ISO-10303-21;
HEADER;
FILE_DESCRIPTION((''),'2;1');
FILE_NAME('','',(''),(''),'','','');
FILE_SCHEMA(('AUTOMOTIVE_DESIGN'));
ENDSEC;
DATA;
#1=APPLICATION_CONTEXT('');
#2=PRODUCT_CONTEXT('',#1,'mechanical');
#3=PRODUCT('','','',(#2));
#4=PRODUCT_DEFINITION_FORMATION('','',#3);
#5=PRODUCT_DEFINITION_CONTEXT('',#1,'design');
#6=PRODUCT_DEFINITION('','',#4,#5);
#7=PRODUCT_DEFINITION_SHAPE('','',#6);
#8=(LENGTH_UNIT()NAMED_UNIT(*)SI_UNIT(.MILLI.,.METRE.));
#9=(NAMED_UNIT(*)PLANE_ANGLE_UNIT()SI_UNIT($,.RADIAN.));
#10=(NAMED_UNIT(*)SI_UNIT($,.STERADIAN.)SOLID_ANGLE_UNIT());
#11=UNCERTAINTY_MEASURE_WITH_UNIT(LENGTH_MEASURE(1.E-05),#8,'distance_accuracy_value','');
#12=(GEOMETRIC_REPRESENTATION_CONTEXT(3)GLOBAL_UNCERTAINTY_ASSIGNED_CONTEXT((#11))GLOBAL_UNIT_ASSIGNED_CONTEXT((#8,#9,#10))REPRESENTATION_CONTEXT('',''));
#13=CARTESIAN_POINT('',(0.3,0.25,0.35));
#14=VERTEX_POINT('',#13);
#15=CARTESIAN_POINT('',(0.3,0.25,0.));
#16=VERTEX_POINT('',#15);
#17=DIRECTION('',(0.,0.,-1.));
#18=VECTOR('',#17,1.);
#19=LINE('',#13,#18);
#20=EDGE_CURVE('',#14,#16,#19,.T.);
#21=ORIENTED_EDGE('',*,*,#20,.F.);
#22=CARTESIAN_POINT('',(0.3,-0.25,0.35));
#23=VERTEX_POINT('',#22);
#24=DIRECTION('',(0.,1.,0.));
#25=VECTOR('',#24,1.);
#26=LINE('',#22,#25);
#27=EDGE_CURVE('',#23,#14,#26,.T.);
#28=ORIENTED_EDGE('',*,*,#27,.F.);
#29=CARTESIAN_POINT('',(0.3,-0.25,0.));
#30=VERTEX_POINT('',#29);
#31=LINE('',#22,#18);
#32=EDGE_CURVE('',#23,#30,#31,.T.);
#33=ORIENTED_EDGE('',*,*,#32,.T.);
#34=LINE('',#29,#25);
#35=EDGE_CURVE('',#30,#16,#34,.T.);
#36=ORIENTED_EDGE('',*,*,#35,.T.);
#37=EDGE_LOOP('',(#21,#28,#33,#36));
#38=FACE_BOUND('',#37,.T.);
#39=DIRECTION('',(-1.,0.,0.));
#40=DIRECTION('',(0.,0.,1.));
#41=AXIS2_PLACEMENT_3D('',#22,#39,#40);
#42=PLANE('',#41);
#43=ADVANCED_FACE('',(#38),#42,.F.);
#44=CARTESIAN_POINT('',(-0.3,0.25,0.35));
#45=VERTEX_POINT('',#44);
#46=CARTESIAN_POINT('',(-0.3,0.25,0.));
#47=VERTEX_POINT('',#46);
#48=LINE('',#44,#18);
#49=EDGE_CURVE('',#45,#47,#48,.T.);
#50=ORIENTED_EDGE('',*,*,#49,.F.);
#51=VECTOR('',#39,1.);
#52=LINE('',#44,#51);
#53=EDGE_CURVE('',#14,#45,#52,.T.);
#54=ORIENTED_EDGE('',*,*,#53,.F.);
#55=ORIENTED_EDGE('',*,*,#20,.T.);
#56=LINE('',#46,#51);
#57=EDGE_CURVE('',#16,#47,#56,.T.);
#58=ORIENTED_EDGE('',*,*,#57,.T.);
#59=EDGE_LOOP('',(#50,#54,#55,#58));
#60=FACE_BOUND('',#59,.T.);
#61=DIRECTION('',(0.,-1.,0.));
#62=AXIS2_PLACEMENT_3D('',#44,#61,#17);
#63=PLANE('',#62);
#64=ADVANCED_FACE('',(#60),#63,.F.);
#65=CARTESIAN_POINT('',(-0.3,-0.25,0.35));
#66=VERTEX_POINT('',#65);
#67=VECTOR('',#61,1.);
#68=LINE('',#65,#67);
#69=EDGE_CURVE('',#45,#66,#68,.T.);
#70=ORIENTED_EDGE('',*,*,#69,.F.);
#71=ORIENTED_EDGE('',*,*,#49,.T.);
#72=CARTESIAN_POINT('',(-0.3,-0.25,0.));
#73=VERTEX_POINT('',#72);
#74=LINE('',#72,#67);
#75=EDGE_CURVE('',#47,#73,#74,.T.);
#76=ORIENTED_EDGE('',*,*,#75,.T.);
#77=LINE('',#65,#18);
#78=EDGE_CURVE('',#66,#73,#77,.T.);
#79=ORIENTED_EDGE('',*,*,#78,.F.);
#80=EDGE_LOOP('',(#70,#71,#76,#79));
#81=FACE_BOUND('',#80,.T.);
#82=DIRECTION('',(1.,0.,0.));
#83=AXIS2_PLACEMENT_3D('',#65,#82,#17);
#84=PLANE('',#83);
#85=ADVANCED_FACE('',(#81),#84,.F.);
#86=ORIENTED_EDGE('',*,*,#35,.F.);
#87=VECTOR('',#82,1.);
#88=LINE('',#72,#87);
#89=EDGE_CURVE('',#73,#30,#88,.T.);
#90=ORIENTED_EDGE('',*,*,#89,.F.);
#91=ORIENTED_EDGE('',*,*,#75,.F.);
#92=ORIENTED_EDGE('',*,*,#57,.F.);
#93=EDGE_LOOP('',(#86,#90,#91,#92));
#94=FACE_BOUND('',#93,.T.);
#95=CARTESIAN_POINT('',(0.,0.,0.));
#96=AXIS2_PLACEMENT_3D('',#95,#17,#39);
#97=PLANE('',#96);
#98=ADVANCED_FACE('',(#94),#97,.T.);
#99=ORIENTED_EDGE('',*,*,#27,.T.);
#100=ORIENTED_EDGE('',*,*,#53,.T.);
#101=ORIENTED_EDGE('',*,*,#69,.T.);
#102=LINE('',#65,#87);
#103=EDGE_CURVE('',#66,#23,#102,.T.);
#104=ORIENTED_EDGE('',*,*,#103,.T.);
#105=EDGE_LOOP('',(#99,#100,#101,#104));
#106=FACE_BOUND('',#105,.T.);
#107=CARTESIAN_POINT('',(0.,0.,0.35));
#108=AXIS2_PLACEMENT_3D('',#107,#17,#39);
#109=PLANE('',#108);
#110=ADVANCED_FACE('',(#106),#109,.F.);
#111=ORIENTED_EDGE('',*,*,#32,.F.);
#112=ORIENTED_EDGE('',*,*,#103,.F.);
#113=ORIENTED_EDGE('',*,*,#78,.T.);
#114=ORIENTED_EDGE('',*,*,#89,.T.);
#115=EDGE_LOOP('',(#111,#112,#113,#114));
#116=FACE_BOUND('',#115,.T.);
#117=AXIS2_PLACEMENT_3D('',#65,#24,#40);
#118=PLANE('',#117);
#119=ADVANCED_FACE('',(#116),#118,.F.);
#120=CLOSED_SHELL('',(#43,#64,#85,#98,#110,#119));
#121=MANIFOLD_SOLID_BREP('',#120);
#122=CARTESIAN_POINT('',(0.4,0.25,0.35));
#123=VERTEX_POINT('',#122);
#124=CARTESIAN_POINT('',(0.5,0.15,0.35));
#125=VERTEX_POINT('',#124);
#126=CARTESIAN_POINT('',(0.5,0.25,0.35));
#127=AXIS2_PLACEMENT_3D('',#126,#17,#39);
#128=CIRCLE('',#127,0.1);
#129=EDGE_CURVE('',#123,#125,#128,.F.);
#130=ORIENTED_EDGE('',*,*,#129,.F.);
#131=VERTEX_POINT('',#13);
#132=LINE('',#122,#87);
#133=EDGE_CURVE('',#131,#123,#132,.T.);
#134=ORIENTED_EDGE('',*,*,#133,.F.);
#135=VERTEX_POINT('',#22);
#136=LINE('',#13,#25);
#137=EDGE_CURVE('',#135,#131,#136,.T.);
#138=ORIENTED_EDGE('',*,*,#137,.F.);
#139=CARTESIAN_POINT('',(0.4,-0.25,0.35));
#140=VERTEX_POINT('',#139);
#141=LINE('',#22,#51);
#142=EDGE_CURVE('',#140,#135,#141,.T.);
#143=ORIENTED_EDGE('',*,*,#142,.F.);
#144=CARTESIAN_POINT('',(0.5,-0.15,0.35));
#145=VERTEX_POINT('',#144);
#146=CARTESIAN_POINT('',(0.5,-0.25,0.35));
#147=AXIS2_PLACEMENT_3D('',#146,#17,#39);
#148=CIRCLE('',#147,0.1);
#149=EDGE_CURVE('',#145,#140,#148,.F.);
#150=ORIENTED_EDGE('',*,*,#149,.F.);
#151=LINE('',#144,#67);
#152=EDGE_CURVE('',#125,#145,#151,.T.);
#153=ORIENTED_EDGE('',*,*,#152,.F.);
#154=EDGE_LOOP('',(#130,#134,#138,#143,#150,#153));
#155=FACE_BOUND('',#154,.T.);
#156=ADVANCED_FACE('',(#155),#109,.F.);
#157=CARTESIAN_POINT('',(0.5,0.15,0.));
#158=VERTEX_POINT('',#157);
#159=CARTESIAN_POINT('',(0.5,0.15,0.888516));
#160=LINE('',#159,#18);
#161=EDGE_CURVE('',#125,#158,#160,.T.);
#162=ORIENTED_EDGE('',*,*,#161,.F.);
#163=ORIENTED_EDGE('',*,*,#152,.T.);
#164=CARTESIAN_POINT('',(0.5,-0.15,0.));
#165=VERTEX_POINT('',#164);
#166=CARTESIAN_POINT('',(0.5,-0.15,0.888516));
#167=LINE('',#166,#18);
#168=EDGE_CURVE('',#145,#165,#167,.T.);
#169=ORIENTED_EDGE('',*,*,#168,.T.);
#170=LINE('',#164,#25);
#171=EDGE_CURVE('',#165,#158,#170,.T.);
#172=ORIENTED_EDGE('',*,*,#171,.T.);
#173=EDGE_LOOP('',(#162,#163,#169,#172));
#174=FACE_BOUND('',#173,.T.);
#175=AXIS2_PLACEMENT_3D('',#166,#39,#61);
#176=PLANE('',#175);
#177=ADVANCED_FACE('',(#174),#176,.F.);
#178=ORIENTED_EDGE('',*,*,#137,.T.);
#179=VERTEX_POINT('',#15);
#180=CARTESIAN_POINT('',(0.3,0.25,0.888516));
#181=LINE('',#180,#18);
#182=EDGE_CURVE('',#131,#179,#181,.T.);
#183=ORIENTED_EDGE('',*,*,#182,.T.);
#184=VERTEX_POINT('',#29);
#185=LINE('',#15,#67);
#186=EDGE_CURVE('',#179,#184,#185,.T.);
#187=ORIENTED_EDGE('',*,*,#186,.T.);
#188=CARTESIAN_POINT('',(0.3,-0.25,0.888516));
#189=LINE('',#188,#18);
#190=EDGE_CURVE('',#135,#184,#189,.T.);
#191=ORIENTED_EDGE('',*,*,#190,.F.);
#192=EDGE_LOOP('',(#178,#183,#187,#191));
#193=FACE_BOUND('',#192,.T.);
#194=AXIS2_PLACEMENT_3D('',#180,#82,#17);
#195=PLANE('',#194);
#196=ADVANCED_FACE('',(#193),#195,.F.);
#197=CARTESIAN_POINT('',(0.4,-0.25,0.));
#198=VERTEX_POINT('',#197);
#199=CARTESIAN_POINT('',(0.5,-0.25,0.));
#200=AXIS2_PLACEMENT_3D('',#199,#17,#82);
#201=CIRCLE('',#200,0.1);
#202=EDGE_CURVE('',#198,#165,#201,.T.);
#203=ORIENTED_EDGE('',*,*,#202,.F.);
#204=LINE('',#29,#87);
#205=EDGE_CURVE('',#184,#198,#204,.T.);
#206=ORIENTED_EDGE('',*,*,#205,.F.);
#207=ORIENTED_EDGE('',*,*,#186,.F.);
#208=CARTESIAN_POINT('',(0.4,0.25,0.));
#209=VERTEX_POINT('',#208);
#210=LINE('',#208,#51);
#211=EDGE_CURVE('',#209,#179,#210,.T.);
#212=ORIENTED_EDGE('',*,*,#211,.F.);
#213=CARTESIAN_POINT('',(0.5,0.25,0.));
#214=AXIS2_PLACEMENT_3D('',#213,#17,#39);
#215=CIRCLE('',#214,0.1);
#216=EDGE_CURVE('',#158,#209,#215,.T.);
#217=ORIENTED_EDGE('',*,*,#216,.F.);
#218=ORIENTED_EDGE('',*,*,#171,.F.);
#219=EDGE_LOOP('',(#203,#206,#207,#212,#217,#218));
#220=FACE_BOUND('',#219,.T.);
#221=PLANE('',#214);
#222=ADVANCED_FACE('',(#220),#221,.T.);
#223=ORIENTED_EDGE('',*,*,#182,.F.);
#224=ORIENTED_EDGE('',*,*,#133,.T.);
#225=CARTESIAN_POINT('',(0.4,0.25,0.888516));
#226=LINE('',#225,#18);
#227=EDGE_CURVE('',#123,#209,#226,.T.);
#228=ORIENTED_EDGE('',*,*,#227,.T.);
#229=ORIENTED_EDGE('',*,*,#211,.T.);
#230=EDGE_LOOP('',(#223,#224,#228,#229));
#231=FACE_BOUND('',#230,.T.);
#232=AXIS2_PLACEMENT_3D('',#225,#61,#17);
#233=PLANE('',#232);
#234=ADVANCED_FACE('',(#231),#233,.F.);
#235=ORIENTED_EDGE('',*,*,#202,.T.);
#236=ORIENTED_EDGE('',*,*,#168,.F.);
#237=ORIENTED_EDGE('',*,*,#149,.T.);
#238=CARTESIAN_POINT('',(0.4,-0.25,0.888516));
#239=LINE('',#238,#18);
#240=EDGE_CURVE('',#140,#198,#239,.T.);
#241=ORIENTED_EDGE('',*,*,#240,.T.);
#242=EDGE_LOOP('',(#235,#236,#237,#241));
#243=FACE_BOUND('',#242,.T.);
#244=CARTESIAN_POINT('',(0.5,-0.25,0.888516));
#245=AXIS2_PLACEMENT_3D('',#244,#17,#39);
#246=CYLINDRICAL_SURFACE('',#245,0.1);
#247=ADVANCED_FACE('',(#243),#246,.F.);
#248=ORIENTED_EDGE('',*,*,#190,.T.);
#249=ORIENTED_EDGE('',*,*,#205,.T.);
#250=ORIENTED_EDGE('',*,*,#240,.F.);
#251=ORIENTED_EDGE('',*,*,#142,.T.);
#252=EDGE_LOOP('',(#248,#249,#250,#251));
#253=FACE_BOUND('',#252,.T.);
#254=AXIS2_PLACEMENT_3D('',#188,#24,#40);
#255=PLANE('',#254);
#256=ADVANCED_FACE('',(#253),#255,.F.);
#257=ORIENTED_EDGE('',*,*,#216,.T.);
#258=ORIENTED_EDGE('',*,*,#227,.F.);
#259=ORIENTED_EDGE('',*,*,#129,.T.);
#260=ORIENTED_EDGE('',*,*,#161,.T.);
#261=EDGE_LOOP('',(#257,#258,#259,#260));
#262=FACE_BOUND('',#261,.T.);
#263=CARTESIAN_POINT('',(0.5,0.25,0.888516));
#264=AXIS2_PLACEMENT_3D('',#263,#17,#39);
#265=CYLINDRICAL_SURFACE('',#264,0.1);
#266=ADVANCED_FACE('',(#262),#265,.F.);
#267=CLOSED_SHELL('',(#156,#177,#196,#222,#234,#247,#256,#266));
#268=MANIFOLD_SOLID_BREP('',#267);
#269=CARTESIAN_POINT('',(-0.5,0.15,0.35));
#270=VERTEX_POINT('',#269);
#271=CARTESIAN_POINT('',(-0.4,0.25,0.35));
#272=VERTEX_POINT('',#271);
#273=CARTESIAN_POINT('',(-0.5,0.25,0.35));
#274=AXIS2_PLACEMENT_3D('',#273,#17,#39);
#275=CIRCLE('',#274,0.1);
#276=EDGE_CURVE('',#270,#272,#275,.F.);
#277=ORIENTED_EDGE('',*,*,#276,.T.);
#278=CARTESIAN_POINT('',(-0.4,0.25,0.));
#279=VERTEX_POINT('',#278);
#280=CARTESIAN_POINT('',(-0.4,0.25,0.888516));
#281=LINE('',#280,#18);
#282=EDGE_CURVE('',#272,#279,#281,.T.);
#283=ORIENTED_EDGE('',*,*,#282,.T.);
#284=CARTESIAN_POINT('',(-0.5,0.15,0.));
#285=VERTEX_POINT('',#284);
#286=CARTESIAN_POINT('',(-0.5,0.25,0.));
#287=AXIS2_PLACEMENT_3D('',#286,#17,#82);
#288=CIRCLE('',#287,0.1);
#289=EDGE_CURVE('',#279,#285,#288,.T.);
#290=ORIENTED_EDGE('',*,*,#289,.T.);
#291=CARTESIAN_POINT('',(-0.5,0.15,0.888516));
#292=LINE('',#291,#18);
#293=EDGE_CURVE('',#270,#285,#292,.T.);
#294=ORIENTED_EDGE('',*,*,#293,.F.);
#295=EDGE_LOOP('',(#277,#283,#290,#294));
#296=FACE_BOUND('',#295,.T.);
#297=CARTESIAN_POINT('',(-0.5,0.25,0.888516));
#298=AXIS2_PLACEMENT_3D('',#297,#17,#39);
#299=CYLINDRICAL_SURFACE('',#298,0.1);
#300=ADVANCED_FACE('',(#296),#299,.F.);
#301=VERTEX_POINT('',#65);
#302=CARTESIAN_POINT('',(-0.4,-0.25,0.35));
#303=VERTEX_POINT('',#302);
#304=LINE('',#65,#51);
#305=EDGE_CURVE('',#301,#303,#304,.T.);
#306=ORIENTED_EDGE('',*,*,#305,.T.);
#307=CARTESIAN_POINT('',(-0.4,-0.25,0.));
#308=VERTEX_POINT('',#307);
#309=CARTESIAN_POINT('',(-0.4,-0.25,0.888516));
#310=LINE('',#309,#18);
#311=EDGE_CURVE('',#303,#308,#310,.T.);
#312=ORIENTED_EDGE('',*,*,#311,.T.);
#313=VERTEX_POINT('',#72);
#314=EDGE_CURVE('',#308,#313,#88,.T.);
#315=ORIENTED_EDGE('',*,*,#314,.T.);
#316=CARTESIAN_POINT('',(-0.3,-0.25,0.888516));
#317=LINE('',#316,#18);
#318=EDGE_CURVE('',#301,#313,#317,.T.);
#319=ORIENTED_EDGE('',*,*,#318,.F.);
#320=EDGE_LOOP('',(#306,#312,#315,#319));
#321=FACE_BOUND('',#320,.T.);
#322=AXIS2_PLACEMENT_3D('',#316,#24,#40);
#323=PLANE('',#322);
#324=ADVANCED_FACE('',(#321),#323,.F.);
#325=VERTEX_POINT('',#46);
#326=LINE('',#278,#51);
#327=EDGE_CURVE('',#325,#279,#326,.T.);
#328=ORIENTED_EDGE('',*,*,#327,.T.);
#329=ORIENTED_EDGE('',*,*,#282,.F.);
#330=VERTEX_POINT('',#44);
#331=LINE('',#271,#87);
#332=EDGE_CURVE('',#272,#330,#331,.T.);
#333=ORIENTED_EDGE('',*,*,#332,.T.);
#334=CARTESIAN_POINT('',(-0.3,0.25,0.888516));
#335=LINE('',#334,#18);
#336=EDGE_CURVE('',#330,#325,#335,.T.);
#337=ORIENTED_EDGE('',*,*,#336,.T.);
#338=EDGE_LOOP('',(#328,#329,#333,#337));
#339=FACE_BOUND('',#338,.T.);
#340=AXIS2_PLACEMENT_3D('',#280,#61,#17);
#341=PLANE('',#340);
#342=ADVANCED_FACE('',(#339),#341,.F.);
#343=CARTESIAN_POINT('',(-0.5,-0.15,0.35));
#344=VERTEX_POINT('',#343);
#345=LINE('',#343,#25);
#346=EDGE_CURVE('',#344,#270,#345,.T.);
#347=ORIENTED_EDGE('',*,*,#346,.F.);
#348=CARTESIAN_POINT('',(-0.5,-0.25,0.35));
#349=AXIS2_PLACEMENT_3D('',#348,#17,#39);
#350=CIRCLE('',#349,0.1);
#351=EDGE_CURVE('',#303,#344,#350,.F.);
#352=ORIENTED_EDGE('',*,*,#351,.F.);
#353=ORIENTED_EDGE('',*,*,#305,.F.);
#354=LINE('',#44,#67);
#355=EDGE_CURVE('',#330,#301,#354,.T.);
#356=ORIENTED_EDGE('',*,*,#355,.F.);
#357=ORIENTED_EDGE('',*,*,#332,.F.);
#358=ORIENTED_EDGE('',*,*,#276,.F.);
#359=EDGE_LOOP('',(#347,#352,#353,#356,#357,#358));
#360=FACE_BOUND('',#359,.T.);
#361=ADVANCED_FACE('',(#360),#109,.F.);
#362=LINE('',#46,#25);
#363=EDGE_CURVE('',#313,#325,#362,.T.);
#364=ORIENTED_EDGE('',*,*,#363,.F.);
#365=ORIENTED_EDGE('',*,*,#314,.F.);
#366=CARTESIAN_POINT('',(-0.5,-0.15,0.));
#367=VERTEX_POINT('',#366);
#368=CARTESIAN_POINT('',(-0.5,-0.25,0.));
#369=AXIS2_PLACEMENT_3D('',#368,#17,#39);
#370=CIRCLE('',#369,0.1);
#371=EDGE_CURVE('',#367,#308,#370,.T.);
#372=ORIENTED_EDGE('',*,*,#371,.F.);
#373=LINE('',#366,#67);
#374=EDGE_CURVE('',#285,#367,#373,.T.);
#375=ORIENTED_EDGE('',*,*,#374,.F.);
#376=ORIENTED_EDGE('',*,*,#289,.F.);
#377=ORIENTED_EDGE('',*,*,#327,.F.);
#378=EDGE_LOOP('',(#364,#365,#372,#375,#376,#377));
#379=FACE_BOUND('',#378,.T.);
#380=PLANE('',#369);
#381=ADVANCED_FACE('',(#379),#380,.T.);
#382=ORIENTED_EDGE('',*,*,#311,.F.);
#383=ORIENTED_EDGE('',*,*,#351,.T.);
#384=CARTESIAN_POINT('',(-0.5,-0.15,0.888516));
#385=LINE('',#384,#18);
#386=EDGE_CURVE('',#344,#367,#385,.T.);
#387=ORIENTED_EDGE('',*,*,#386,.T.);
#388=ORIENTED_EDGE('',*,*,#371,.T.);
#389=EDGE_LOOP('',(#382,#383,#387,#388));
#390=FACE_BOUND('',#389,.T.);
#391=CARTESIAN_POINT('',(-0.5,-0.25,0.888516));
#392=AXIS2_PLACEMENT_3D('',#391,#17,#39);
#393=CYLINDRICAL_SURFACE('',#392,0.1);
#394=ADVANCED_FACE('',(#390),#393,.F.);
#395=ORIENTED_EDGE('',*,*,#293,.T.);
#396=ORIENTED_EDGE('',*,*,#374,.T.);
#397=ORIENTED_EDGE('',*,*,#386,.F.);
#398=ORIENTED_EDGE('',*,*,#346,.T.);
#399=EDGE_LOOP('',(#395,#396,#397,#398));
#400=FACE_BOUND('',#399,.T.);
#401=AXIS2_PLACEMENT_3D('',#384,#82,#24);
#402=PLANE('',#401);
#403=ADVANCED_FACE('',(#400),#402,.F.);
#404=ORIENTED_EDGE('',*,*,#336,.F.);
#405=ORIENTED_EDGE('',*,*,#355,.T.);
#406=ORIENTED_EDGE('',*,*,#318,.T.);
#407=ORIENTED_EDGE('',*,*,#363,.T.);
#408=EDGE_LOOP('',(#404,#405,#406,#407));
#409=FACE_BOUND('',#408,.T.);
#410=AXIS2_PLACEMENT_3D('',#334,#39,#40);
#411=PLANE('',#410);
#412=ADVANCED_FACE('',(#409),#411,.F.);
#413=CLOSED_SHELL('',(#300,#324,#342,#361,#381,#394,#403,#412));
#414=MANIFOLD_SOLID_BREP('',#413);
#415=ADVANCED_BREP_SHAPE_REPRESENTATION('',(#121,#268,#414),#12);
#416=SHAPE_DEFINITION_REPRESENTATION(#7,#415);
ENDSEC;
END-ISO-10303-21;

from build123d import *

# Parameters (mm, degrees)
SKETCH1_W             = 0.6
SKETCH1_H             = 0.5
BOSS_EXTRUDE1_DEPTH   = 0.35
BOSS_EXTRUDE2_DEPTH   = 0.35
BOSS_EXTRUDE2_2_DEPTH = 0.35


with BuildPart() as part:
    # Sketch1 → Boss-Extrude1 (new body)
    with BuildSketch(Plane.XY):
        Rectangle(SKETCH1_W, SKETCH1_H)
    extrude(amount=BOSS_EXTRUDE1_DEPTH)


with BuildPart() as body_2:
    # Sketch2 → Boss-Extrude2 (new body)
    with BuildSketch(Plane.XY):
        with BuildLine():
            Line((-0.3, -0.25), (-0.4, -0.25))
            ThreePointArc((-0.4, -0.25), (-0.429289322, -0.179289322), (-0.5, -0.15))
            Line((-0.5, -0.15), (-0.5, 0.15))
            ThreePointArc((-0.5, 0.15), (-0.429289322, 0.179289322), (-0.4, 0.25))
            Line((-0.4, 0.25), (-0.3, 0.25))
            Line((-0.3, 0.25), (-0.3, -0.25))
        make_face()
    extrude(amount=BOSS_EXTRUDE2_DEPTH)


with BuildPart() as body_3:
    # Sketch2 → Boss-Extrude2 2 (new body)
    with BuildSketch(Plane.XY):
        with BuildLine():
            Line((0.3, 0.25), (0.3, -0.25))
            Line((0.3, -0.25), (0.4, -0.25))
            ThreePointArc((0.4, -0.25), (0.429289322, -0.179289322), (0.5, -0.15))
            Line((0.5, -0.15), (0.5, 0.15))
            ThreePointArc((0.5, 0.15), (0.429289322, 0.179289322), (0.4, 0.25))
            Line((0.4, 0.25), (0.3, 0.25))
        make_face()
    extrude(amount=BOSS_EXTRUDE2_2_DEPTH)


solid = Compound([part.part, body_2.part, body_3.part])
